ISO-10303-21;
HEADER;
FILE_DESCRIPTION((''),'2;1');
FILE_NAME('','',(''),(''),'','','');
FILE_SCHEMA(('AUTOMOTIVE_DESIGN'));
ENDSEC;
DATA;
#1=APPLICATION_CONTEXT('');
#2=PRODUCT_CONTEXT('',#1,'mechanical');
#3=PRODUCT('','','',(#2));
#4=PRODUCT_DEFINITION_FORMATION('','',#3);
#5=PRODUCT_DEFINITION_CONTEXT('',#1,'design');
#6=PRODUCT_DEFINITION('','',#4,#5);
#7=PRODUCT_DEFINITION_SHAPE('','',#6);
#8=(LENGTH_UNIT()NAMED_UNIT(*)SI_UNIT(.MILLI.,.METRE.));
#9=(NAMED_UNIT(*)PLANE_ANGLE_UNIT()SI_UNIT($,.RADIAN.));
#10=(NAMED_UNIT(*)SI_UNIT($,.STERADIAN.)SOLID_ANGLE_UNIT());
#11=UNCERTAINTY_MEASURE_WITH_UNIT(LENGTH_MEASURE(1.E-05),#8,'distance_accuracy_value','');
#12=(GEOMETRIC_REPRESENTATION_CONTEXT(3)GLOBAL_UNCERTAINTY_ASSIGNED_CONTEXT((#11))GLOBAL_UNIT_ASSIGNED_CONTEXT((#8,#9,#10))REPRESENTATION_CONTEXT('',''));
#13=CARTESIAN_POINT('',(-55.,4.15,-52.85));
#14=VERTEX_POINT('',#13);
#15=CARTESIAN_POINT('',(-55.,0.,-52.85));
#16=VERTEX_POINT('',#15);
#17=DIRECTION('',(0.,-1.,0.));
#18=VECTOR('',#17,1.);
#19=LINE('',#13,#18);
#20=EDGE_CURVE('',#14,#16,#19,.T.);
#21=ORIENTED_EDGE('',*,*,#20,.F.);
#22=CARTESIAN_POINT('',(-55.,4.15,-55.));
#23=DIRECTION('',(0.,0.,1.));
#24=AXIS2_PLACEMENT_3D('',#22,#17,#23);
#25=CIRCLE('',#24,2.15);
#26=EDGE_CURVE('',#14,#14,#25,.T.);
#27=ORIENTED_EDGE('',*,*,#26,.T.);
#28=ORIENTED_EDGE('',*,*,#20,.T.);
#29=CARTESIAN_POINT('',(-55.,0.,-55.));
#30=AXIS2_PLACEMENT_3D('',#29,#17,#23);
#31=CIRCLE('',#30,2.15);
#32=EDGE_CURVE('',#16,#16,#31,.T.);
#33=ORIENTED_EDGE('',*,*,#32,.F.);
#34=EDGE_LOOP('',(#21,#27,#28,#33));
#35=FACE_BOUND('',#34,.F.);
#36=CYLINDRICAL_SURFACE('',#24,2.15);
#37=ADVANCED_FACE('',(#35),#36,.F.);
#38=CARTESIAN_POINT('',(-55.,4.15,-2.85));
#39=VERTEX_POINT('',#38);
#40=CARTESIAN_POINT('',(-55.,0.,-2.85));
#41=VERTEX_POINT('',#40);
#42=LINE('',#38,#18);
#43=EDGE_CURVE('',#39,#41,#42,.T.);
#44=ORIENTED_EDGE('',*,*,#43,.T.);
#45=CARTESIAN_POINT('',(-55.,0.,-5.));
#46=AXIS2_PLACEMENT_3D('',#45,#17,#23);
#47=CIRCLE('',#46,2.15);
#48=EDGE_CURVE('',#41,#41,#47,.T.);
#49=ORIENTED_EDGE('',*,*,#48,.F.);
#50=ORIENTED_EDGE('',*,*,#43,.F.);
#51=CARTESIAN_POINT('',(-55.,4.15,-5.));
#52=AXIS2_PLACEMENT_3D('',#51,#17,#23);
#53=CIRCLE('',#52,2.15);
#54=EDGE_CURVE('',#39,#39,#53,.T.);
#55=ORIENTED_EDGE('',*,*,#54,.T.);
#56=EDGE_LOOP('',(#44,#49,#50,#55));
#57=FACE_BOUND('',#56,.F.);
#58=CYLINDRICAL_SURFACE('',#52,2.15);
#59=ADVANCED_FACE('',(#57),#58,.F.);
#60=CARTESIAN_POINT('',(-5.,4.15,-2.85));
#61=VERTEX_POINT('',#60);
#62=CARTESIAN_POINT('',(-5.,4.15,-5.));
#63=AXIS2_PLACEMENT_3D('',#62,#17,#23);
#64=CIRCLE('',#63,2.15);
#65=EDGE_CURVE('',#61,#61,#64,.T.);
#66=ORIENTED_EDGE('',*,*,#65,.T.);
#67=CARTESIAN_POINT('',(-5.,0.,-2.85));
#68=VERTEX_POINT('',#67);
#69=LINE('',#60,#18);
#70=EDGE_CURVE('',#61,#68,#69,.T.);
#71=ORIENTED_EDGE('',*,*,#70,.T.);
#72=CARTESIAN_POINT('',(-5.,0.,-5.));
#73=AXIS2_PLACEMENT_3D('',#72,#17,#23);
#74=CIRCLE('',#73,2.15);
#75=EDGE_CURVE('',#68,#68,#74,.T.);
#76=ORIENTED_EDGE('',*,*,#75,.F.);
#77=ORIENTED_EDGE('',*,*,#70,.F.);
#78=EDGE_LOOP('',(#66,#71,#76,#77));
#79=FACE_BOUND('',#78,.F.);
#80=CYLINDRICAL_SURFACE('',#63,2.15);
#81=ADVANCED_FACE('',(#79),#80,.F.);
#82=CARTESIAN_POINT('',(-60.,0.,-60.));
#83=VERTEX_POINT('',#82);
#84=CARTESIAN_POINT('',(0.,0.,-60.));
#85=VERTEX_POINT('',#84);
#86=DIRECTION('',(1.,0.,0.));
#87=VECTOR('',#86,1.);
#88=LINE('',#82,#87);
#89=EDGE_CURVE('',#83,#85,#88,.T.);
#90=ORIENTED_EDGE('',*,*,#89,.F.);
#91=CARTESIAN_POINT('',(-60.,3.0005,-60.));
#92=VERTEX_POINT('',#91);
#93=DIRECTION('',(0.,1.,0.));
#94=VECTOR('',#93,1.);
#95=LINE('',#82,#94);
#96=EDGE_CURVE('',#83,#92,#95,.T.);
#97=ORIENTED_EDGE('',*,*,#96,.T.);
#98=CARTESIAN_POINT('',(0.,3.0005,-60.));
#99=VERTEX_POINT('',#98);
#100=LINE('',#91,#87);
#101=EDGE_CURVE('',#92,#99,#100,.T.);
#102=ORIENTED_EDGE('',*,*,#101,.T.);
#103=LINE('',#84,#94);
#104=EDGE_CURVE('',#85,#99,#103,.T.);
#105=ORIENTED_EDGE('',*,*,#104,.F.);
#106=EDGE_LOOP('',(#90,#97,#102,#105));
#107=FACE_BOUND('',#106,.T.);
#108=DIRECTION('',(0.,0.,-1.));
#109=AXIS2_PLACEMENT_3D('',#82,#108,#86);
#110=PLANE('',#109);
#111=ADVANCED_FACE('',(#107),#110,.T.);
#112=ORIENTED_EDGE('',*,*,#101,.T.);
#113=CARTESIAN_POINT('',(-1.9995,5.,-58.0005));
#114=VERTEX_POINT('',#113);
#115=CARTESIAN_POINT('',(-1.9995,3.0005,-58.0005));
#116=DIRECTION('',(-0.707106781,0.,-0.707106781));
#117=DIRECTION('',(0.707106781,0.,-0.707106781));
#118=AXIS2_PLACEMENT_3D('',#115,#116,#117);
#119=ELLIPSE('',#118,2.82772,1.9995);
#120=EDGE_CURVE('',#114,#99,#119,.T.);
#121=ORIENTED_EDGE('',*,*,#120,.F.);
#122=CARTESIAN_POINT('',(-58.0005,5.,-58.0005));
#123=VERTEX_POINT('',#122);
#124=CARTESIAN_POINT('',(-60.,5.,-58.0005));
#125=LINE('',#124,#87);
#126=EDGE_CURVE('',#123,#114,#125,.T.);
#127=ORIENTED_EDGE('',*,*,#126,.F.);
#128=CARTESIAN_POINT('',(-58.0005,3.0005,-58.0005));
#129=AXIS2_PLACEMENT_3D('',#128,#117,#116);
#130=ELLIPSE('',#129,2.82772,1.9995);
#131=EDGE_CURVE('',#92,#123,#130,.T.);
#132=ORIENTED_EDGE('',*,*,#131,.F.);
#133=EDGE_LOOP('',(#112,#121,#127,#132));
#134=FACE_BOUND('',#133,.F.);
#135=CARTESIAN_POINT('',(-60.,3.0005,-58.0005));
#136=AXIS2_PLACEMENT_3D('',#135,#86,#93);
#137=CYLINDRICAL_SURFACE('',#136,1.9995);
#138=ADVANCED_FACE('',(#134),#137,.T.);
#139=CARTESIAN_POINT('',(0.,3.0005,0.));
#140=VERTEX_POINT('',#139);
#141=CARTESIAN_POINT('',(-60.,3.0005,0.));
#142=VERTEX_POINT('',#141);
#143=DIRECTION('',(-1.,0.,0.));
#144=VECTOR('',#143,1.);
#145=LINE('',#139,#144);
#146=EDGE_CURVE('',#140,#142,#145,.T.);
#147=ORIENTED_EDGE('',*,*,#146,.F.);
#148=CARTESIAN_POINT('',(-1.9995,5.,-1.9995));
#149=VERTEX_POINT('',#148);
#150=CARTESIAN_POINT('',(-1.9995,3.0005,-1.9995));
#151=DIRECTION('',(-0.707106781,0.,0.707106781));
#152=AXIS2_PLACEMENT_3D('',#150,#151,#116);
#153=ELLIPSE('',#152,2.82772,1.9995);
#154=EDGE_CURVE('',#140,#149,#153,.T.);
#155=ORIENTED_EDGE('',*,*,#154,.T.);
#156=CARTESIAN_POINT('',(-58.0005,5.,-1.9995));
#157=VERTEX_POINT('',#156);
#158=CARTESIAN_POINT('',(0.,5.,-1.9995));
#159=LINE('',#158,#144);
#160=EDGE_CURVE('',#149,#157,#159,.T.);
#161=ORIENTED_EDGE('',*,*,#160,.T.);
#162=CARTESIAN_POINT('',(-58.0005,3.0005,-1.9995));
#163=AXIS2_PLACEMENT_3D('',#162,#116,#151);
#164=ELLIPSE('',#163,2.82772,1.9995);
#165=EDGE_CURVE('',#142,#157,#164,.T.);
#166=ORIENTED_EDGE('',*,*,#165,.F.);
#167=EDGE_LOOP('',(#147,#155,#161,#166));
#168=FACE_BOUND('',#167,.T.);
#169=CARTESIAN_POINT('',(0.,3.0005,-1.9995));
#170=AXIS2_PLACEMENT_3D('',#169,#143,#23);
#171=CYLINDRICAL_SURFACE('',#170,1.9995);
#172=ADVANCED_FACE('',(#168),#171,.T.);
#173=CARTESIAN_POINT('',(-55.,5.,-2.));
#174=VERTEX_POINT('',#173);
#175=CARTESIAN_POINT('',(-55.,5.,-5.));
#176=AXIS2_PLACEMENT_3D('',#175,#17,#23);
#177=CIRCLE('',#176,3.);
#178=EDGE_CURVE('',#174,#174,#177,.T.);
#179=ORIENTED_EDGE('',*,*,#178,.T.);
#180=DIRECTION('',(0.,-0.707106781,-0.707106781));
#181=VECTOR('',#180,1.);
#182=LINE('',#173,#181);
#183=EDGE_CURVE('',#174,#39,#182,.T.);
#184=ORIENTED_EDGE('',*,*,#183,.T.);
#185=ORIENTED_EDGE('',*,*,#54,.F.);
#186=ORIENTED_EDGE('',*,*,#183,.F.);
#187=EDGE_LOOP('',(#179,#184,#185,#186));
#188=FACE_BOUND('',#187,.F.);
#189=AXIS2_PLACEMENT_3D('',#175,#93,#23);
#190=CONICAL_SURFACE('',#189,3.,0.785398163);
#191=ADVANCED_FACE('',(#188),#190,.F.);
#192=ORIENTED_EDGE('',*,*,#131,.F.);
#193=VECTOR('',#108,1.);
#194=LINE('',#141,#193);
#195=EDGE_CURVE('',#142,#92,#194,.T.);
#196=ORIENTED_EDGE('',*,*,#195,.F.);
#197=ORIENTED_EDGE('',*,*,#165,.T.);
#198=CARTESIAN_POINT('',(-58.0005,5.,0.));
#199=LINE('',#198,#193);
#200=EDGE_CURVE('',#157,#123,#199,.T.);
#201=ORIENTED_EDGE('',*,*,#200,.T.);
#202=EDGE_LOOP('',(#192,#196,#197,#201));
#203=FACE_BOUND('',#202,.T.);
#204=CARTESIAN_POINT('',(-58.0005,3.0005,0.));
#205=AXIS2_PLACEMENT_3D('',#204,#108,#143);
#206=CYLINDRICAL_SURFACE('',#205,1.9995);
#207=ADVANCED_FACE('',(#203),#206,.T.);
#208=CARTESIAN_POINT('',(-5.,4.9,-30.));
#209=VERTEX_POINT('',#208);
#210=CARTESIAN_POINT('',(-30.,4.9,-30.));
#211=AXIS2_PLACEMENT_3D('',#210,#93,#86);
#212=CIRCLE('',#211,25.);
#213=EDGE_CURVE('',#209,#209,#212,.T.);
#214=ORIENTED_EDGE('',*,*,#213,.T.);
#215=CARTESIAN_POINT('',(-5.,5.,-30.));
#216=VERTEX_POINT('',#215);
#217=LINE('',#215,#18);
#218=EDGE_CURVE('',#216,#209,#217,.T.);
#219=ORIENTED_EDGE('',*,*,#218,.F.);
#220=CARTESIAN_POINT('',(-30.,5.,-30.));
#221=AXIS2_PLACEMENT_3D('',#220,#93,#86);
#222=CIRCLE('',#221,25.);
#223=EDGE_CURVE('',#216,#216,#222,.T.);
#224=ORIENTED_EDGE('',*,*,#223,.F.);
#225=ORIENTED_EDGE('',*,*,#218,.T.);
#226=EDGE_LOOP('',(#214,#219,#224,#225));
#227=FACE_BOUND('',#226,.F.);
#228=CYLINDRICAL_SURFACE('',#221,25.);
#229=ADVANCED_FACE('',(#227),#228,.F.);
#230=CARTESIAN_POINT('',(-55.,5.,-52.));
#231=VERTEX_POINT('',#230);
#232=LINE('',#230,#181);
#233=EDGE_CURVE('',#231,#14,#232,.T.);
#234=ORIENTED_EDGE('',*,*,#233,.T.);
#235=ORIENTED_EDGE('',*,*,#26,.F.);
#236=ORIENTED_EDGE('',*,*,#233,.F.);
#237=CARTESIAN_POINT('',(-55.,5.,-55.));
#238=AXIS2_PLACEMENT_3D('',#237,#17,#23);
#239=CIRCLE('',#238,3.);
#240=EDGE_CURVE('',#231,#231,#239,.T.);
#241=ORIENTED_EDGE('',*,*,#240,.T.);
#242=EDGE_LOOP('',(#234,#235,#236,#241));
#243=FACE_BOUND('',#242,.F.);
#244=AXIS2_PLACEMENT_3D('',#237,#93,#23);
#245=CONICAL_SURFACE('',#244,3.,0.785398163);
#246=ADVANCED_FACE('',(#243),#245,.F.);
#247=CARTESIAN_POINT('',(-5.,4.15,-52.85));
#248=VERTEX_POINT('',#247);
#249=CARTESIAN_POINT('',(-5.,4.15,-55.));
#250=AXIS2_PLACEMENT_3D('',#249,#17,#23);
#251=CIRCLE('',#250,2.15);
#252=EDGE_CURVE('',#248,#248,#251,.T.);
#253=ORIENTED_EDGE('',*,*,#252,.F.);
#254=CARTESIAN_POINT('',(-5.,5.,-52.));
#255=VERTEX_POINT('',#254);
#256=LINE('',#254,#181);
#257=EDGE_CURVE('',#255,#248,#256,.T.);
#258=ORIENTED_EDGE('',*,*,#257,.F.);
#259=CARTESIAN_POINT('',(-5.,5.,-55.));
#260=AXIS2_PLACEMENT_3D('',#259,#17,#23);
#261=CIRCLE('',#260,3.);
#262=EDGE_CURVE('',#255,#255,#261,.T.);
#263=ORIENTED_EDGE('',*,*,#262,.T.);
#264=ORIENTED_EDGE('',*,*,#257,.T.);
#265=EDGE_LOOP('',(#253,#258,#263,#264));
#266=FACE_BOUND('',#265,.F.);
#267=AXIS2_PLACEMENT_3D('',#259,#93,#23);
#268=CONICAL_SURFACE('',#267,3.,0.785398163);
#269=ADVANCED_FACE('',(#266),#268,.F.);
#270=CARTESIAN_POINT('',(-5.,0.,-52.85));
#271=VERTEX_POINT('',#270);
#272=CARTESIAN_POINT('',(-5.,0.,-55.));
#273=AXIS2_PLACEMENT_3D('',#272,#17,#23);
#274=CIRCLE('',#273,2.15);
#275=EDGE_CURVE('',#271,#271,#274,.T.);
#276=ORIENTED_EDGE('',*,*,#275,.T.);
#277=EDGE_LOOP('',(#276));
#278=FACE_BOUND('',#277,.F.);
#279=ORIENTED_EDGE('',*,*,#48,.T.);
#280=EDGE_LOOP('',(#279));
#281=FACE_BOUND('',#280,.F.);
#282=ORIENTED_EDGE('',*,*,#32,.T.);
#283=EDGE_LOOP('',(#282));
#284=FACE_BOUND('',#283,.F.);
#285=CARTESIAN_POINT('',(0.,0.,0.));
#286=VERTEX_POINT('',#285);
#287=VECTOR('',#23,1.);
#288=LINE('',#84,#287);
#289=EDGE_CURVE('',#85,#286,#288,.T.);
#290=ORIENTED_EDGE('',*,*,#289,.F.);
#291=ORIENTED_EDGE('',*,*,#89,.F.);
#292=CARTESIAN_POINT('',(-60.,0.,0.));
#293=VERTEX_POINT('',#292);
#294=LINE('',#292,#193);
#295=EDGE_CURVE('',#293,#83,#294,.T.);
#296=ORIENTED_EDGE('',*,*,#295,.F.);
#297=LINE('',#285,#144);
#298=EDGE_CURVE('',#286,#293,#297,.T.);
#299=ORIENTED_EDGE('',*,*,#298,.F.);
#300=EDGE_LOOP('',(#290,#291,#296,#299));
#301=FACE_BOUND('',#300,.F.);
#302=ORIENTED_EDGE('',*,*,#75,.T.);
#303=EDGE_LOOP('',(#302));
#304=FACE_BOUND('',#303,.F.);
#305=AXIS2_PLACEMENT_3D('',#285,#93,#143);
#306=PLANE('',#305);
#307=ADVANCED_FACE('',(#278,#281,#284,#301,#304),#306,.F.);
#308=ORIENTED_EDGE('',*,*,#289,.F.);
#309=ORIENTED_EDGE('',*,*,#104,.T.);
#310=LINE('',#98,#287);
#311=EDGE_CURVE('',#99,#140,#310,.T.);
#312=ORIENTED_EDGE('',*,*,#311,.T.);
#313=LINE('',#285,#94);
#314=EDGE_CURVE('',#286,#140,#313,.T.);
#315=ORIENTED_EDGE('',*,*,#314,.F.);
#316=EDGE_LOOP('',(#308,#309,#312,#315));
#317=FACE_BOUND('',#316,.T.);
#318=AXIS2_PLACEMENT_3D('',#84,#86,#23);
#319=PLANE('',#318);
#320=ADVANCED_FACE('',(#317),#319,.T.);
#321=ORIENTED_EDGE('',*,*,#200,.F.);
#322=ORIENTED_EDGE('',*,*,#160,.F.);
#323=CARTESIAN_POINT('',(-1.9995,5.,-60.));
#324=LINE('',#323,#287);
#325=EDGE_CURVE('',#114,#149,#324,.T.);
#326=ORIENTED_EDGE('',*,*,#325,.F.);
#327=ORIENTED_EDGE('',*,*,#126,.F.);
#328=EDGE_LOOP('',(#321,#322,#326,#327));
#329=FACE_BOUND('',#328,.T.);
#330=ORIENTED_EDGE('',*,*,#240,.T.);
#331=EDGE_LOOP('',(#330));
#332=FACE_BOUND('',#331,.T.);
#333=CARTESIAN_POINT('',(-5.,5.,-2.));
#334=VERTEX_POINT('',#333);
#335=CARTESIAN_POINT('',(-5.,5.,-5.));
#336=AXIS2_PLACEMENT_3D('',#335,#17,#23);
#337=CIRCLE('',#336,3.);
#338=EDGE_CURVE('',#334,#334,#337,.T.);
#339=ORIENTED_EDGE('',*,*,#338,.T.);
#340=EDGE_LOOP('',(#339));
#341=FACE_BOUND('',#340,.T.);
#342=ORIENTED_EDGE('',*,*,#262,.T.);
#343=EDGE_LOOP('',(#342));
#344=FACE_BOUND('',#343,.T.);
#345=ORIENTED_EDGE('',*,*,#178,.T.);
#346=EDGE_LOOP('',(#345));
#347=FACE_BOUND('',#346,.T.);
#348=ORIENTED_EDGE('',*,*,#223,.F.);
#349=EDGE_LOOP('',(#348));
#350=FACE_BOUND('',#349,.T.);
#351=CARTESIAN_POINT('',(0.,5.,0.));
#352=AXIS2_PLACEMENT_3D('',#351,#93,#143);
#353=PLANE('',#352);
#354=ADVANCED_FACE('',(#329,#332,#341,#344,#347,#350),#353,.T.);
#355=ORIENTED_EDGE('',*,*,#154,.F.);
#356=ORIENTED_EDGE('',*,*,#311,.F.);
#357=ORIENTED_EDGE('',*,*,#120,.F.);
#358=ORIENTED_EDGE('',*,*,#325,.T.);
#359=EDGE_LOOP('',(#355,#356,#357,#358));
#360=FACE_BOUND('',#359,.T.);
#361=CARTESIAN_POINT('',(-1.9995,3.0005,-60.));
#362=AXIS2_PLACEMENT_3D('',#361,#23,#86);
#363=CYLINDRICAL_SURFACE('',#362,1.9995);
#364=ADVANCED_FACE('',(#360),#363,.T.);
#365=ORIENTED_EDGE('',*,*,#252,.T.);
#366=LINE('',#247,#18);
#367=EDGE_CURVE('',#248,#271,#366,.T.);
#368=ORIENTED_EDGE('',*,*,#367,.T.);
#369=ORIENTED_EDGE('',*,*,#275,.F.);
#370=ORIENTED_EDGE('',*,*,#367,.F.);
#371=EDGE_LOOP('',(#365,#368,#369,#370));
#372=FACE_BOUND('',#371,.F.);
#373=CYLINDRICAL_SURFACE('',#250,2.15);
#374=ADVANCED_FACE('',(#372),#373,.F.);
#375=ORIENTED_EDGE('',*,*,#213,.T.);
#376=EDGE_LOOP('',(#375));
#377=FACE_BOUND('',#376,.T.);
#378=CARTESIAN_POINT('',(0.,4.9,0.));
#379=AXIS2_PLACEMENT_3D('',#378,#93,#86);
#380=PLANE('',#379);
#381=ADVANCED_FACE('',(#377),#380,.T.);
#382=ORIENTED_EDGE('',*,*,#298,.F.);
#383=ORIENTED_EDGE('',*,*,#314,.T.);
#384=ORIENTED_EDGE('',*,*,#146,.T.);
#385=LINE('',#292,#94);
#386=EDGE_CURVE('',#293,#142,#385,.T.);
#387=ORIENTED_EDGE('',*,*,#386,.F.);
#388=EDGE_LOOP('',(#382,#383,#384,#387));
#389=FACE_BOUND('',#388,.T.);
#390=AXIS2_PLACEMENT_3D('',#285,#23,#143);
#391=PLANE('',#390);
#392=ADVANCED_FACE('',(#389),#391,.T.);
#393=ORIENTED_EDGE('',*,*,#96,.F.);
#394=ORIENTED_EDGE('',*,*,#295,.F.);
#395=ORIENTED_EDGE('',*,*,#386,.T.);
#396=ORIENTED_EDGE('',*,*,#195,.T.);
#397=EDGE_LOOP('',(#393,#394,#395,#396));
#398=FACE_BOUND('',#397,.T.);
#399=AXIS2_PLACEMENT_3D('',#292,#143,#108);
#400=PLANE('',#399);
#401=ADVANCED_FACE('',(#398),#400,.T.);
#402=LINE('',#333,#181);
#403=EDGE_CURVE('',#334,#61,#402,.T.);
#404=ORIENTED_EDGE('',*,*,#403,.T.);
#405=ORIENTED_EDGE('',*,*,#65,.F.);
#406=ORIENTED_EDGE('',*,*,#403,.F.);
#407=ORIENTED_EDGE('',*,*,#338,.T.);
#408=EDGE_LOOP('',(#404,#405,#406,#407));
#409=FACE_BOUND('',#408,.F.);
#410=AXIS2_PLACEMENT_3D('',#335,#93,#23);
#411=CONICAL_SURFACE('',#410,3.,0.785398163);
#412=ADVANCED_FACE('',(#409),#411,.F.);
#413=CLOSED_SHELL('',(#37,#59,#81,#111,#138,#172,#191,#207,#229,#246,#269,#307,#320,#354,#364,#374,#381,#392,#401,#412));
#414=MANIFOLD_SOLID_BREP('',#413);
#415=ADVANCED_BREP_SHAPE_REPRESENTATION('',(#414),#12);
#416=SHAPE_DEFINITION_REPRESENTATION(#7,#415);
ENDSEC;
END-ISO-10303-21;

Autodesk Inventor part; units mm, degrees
ref_plane "YZ Plane" through (0, 0, 0) normal (1, 0, 0) x (0, 1, 0)
ref_plane "XZ Plane" through (0, 0, 0) normal (0, 1, 0) x (-1, 0, 0)
ref_plane "XY Plane" through (0, 0, 0) normal (0, 0, 1) x (1, 0, 0)
sketch "Sketch1" plane through (0, 0, 0) normal (0, 1, 0) x (-1, 0, 0)
  line L0 (0, 0) -> (60, 0)
  line L1 (60, 0) -> (60, -60)
  line L2 (60, -60) -> (0, -60)
  line L3 (0, -60) -> (0, 0)
  dimension "d0" = 60
  dimension "d1" = 60
extrude "Extrusion1" add sketch "Sketch1" along normal blind 5
sketch "Sketch2" plane through (0, 5, 0) normal (0, 1, 0) x (1, 0, 0)
  line L0 (-60, 0) -> (0, 0) projected
  line L1 (0, 0) -> (0, 60) projected
  line L2 (0, 60) -> (-60, 60) projected
  line L3 (-60, 60) -> (-60, 0) projected
  point P0 (-5, 5)
  point P1 (-5, 55)
  point P2 (-55, 55)
  point P3 (-55, 5)
  dimension "d4" = 5
  dimension "d6" = 5
  dimension "d7" = 5
  dimension "d8" = 5
  dimension "d9" = 5
  dimension "d10" = 5
  dimension "d11" = 5
  dimension "d12" = 5
hole "Hole1" at (-5, 5, -5) at (-5, 5, -55) at (-55, 5, -55) at (-55, 5, -5) direction (0, -1, 0) diameter 4.3 end through all countersink diameter 6 countersink angle 90
fillet "Fillet1" radius 2 4 edges at (-30, 5, 0) (-60, 5, -30) (-30, 5, -60) (0, 5, -30)
sketch "Sketch3" plane through (0, 5, 0) normal (0, 1, 0) x (1, 0, 0)
  circle A0 centre (-30, 30) radius 25
  line L0 (-60, 0) -> (0, 0) projected
  line L1 (-60, 60) -> (-60, 0) projected
  dimension "d21" = 30
  dimension "d22" = 30
  dimension "d23" = 50
extrude "Extrusion2" cut sketch "Sketch3" against normal blind 0.1
properties part number "Filter"
